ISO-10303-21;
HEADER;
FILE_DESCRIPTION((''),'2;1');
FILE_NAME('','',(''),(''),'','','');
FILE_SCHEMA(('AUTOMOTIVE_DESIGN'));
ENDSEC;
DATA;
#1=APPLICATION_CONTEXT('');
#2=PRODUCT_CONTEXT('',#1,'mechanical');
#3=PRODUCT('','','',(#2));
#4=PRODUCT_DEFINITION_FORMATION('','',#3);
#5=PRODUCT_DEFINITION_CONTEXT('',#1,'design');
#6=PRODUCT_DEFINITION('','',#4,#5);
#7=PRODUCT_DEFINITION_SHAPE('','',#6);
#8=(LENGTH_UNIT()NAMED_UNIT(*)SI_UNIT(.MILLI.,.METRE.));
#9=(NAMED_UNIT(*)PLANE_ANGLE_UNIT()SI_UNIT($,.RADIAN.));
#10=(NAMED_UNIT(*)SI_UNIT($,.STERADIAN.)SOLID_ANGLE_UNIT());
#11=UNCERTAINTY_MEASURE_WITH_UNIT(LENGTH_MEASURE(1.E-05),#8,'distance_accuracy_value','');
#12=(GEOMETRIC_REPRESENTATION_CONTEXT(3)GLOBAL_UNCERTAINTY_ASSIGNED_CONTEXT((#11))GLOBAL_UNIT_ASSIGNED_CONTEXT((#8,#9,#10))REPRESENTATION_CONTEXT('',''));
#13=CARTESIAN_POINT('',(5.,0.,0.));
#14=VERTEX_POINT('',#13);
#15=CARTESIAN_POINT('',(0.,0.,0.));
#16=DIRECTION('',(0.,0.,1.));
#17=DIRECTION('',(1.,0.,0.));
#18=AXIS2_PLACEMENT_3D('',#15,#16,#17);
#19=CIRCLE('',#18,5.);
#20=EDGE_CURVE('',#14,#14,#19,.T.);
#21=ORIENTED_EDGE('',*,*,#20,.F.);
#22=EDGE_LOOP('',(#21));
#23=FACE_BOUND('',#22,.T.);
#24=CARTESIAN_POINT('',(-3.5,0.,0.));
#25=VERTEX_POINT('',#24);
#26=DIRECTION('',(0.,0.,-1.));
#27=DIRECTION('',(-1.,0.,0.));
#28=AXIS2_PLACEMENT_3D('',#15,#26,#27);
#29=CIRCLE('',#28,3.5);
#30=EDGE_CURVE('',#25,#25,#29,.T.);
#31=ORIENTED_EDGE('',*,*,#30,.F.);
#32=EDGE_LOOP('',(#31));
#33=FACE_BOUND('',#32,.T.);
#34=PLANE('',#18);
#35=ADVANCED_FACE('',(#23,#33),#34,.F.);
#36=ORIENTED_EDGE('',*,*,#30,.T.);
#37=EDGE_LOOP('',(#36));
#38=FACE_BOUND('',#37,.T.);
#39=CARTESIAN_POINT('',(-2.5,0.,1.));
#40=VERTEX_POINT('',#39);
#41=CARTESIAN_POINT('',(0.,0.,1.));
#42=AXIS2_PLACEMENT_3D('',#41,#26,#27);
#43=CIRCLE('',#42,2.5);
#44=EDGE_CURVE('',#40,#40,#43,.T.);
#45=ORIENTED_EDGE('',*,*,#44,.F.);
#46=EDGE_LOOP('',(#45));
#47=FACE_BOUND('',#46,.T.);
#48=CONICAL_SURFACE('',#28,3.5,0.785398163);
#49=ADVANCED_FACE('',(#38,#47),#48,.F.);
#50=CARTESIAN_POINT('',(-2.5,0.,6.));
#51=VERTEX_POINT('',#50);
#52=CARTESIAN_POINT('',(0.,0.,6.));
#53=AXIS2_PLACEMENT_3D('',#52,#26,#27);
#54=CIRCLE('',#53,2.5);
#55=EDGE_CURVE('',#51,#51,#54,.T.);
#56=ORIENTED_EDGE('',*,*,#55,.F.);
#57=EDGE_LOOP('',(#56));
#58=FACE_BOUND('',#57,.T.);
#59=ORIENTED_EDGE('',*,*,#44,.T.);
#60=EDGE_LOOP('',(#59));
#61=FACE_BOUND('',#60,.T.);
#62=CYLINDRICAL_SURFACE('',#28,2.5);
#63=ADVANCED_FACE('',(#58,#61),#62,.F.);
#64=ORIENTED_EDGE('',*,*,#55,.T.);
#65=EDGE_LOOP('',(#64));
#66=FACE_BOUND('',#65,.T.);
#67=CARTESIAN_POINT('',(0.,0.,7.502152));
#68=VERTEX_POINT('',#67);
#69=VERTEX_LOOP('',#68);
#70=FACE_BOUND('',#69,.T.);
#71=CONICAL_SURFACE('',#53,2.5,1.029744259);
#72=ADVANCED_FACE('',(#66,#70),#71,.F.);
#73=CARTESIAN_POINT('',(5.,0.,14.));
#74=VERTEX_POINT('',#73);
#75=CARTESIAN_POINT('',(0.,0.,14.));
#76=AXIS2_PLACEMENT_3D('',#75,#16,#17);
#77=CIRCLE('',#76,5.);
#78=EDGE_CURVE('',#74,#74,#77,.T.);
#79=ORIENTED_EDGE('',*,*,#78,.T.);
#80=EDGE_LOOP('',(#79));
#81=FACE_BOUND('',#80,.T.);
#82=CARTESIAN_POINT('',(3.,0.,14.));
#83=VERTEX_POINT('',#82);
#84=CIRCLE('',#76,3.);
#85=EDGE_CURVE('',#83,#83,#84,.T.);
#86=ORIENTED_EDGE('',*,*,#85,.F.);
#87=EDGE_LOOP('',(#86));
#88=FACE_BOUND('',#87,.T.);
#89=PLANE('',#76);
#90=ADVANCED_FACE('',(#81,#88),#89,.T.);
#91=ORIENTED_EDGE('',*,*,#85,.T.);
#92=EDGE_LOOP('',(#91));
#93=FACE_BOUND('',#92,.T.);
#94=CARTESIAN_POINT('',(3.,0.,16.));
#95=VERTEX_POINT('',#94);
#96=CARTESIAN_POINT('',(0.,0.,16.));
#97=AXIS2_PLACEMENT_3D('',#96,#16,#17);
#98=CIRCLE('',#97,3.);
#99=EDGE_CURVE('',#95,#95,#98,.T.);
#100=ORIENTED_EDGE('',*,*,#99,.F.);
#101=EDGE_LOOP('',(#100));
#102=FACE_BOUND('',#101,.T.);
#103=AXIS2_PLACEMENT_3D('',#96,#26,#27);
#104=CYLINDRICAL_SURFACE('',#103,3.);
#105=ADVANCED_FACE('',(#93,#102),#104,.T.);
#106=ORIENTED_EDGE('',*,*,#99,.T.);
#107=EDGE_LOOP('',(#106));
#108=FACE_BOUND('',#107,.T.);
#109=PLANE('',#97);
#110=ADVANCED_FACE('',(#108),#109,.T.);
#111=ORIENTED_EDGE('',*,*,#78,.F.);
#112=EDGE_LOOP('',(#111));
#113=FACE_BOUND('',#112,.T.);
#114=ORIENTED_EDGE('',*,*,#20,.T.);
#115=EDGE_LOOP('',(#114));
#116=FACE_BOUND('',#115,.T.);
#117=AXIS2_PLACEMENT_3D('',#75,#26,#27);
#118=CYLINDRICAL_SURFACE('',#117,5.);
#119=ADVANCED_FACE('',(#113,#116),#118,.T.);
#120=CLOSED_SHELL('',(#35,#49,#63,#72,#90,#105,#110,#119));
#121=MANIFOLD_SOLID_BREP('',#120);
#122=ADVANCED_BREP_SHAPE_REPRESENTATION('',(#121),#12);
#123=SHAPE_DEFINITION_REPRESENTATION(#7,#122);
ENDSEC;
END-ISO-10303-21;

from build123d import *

# Parameters (mm, degrees)
SCHIZZO1_R                      = 5
ESTRUSIONE_ESTRUSIONE1_DEPTH    = 14
SCHIZZO2_R                      = 3
ESTRUSIONE_ESTRUSIONE2_DEPTH    = 2
FORO_FILETTATO_M6_1_D           = 5
FORO_FILETTATO_M6_1_DEPTH       = 6
FORO_FILETTATO_M6_1_CSINK_D     = 7
FORO_FILETTATO_M6_1_CSINK_ANGLE = 90
FORO_FILETTATO_M6_1_TIP         = 1.502151548


with BuildPart() as part:
    # Schizzo1 → Estrusione-Estrusione1 (new body)
    with BuildSketch(Plane.XY):
        Circle(SCHIZZO1_R)
    extrude(amount=ESTRUSIONE_ESTRUSIONE1_DEPTH)

    # Schizzo2 → Estrusione-Estrusione2 (add)
    with BuildSketch(Plane.XY.offset(14)):
        Circle(SCHIZZO2_R)
    extrude(amount=ESTRUSIONE_ESTRUSIONE2_DEPTH)

    # Foro filettato M6-1
    with Locations(Plane(origin=(0, 0, 0), x_dir=(-1, 0, 0), z_dir=(0, 0, -1))):
        with Locations((0, 0)):
            CounterSinkHole(FORO_FILETTATO_M6_1_D / 2, FORO_FILETTATO_M6_1_CSINK_D / 2, depth=FORO_FILETTATO_M6_1_DEPTH, counter_sink_angle=FORO_FILETTATO_M6_1_CSINK_ANGLE)
            with Locations((0, 0, -(FORO_FILETTATO_M6_1_DEPTH + FORO_FILETTATO_M6_1_TIP / 2))):  # 118° drill point
                Cone(0, FORO_FILETTATO_M6_1_D / 2, FORO_FILETTATO_M6_1_TIP, mode=Mode.SUBTRACT)


solid = part.part
